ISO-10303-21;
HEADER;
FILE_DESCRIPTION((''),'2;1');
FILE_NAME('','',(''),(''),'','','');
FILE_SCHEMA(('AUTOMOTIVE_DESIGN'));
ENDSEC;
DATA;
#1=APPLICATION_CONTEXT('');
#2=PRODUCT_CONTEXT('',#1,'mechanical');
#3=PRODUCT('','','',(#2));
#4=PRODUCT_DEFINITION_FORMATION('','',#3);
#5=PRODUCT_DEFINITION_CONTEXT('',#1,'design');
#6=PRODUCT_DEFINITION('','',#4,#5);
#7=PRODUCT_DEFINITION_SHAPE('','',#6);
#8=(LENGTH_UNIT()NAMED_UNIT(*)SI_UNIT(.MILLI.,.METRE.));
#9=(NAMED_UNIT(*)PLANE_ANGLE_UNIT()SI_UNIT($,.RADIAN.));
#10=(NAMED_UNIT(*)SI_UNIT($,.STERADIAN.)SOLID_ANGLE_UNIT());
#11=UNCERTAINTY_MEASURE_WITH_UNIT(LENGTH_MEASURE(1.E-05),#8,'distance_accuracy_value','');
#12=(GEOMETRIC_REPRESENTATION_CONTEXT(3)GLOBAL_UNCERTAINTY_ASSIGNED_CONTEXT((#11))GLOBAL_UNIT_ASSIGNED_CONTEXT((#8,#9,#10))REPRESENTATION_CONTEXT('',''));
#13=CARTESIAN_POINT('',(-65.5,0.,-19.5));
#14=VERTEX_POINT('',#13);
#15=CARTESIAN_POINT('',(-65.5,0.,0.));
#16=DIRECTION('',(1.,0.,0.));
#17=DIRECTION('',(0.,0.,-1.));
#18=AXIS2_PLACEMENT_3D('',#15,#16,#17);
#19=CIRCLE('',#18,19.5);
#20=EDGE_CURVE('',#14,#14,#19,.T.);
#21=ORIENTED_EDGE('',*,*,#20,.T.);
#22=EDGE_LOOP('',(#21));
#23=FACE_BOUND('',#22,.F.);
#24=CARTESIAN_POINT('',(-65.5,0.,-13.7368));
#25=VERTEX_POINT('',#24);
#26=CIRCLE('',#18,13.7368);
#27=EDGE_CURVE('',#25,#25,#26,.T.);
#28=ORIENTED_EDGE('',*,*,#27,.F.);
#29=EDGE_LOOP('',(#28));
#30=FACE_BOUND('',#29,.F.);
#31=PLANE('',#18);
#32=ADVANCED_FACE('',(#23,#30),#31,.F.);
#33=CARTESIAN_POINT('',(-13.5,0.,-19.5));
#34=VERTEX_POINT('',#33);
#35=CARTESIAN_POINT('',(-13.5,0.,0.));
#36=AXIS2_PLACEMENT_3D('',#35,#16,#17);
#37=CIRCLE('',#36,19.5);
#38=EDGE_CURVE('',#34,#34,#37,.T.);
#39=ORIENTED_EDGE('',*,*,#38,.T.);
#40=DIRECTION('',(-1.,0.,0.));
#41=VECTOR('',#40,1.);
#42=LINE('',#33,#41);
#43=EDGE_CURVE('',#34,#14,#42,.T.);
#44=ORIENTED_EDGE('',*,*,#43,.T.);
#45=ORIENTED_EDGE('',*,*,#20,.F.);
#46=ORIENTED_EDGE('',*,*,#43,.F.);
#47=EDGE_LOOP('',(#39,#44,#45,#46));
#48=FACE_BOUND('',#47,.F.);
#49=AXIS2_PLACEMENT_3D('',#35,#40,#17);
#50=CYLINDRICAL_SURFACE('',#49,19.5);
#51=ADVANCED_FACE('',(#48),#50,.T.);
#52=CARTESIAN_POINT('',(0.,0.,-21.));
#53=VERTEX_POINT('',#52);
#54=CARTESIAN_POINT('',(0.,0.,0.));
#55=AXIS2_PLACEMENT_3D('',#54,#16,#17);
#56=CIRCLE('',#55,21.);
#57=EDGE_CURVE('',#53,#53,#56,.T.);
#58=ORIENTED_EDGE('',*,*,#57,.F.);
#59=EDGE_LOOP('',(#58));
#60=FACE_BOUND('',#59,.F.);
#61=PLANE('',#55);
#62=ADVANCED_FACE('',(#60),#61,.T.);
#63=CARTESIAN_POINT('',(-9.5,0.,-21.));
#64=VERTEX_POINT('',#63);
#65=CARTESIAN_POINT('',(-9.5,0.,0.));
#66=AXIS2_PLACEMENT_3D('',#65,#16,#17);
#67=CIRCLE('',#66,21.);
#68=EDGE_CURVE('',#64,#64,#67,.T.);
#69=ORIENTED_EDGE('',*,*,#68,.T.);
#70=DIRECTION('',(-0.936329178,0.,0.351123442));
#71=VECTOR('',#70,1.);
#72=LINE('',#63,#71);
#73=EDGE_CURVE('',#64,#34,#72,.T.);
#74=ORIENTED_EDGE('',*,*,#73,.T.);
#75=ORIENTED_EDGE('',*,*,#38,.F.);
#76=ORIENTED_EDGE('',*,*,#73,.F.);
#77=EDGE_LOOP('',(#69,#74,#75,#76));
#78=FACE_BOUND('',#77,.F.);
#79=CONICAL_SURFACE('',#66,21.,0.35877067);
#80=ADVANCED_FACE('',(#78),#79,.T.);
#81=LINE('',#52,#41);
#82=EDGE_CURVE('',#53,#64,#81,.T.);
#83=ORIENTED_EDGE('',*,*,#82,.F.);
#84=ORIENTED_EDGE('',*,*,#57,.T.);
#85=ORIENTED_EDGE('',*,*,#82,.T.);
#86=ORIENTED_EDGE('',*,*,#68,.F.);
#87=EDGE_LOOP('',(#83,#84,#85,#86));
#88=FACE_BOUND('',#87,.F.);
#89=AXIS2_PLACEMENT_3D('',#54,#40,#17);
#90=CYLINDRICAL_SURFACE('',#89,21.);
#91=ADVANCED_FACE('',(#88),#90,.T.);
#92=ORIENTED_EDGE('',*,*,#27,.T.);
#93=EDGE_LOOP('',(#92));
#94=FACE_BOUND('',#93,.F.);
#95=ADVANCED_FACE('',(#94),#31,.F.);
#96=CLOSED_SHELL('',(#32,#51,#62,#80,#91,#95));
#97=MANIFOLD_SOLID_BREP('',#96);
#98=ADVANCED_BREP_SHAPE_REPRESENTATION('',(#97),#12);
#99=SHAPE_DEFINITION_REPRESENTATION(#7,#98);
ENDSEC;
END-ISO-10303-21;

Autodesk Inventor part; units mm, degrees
ref_plane "YZ Plane" through (0, 0, 0) normal (1, 0, 0) x (0, 1, 0)
sketch "Skizze1" plane through (0, 0, 0) normal (0, 1, 0) x (-1, 0, 0)
  line L0 (0, 0) -> (0, -21)
  line L1 (0, -21) -> (9.5, -21)
  line L2 (9.5, -21) -> (13.5, -19.5)
  line L3 (13.5, -19.5) -> (65.5, -19.5)
  line L4 (65.5, -19.5) -> (65.5, -13.7368)
  line L5 (65.5, -13.7368) -> (65.5, -13.7368)
  line L6 (65.5, -13.7368) -> (65.5, 0)
  line L7 (65.5, 0) -> (0, 0)
  dimension "d0" = 21
  dimension "d1" = 9.5
  dimension "d2" = 65.5
  dimension "d3" = 13.5
  dimension "d4" = 19.5
  dimension "d5" = 0
revolve "Umdrehung1" add sketch "Skizze1" angle 360 about axis through (-65.5, 0, 0) along (1, 0, 0)
ref_plane "Arbeitsebene1" through (0, 0, 0) normal (0, 1, 0) x (-1, 0, 0)
ref_plane "Arbeitsebene2" through (0, 0, 0) normal (0, 0, 1) x (1, 0, 0)
properties part number "00_Berrybase_CCTVLens_100mm"
